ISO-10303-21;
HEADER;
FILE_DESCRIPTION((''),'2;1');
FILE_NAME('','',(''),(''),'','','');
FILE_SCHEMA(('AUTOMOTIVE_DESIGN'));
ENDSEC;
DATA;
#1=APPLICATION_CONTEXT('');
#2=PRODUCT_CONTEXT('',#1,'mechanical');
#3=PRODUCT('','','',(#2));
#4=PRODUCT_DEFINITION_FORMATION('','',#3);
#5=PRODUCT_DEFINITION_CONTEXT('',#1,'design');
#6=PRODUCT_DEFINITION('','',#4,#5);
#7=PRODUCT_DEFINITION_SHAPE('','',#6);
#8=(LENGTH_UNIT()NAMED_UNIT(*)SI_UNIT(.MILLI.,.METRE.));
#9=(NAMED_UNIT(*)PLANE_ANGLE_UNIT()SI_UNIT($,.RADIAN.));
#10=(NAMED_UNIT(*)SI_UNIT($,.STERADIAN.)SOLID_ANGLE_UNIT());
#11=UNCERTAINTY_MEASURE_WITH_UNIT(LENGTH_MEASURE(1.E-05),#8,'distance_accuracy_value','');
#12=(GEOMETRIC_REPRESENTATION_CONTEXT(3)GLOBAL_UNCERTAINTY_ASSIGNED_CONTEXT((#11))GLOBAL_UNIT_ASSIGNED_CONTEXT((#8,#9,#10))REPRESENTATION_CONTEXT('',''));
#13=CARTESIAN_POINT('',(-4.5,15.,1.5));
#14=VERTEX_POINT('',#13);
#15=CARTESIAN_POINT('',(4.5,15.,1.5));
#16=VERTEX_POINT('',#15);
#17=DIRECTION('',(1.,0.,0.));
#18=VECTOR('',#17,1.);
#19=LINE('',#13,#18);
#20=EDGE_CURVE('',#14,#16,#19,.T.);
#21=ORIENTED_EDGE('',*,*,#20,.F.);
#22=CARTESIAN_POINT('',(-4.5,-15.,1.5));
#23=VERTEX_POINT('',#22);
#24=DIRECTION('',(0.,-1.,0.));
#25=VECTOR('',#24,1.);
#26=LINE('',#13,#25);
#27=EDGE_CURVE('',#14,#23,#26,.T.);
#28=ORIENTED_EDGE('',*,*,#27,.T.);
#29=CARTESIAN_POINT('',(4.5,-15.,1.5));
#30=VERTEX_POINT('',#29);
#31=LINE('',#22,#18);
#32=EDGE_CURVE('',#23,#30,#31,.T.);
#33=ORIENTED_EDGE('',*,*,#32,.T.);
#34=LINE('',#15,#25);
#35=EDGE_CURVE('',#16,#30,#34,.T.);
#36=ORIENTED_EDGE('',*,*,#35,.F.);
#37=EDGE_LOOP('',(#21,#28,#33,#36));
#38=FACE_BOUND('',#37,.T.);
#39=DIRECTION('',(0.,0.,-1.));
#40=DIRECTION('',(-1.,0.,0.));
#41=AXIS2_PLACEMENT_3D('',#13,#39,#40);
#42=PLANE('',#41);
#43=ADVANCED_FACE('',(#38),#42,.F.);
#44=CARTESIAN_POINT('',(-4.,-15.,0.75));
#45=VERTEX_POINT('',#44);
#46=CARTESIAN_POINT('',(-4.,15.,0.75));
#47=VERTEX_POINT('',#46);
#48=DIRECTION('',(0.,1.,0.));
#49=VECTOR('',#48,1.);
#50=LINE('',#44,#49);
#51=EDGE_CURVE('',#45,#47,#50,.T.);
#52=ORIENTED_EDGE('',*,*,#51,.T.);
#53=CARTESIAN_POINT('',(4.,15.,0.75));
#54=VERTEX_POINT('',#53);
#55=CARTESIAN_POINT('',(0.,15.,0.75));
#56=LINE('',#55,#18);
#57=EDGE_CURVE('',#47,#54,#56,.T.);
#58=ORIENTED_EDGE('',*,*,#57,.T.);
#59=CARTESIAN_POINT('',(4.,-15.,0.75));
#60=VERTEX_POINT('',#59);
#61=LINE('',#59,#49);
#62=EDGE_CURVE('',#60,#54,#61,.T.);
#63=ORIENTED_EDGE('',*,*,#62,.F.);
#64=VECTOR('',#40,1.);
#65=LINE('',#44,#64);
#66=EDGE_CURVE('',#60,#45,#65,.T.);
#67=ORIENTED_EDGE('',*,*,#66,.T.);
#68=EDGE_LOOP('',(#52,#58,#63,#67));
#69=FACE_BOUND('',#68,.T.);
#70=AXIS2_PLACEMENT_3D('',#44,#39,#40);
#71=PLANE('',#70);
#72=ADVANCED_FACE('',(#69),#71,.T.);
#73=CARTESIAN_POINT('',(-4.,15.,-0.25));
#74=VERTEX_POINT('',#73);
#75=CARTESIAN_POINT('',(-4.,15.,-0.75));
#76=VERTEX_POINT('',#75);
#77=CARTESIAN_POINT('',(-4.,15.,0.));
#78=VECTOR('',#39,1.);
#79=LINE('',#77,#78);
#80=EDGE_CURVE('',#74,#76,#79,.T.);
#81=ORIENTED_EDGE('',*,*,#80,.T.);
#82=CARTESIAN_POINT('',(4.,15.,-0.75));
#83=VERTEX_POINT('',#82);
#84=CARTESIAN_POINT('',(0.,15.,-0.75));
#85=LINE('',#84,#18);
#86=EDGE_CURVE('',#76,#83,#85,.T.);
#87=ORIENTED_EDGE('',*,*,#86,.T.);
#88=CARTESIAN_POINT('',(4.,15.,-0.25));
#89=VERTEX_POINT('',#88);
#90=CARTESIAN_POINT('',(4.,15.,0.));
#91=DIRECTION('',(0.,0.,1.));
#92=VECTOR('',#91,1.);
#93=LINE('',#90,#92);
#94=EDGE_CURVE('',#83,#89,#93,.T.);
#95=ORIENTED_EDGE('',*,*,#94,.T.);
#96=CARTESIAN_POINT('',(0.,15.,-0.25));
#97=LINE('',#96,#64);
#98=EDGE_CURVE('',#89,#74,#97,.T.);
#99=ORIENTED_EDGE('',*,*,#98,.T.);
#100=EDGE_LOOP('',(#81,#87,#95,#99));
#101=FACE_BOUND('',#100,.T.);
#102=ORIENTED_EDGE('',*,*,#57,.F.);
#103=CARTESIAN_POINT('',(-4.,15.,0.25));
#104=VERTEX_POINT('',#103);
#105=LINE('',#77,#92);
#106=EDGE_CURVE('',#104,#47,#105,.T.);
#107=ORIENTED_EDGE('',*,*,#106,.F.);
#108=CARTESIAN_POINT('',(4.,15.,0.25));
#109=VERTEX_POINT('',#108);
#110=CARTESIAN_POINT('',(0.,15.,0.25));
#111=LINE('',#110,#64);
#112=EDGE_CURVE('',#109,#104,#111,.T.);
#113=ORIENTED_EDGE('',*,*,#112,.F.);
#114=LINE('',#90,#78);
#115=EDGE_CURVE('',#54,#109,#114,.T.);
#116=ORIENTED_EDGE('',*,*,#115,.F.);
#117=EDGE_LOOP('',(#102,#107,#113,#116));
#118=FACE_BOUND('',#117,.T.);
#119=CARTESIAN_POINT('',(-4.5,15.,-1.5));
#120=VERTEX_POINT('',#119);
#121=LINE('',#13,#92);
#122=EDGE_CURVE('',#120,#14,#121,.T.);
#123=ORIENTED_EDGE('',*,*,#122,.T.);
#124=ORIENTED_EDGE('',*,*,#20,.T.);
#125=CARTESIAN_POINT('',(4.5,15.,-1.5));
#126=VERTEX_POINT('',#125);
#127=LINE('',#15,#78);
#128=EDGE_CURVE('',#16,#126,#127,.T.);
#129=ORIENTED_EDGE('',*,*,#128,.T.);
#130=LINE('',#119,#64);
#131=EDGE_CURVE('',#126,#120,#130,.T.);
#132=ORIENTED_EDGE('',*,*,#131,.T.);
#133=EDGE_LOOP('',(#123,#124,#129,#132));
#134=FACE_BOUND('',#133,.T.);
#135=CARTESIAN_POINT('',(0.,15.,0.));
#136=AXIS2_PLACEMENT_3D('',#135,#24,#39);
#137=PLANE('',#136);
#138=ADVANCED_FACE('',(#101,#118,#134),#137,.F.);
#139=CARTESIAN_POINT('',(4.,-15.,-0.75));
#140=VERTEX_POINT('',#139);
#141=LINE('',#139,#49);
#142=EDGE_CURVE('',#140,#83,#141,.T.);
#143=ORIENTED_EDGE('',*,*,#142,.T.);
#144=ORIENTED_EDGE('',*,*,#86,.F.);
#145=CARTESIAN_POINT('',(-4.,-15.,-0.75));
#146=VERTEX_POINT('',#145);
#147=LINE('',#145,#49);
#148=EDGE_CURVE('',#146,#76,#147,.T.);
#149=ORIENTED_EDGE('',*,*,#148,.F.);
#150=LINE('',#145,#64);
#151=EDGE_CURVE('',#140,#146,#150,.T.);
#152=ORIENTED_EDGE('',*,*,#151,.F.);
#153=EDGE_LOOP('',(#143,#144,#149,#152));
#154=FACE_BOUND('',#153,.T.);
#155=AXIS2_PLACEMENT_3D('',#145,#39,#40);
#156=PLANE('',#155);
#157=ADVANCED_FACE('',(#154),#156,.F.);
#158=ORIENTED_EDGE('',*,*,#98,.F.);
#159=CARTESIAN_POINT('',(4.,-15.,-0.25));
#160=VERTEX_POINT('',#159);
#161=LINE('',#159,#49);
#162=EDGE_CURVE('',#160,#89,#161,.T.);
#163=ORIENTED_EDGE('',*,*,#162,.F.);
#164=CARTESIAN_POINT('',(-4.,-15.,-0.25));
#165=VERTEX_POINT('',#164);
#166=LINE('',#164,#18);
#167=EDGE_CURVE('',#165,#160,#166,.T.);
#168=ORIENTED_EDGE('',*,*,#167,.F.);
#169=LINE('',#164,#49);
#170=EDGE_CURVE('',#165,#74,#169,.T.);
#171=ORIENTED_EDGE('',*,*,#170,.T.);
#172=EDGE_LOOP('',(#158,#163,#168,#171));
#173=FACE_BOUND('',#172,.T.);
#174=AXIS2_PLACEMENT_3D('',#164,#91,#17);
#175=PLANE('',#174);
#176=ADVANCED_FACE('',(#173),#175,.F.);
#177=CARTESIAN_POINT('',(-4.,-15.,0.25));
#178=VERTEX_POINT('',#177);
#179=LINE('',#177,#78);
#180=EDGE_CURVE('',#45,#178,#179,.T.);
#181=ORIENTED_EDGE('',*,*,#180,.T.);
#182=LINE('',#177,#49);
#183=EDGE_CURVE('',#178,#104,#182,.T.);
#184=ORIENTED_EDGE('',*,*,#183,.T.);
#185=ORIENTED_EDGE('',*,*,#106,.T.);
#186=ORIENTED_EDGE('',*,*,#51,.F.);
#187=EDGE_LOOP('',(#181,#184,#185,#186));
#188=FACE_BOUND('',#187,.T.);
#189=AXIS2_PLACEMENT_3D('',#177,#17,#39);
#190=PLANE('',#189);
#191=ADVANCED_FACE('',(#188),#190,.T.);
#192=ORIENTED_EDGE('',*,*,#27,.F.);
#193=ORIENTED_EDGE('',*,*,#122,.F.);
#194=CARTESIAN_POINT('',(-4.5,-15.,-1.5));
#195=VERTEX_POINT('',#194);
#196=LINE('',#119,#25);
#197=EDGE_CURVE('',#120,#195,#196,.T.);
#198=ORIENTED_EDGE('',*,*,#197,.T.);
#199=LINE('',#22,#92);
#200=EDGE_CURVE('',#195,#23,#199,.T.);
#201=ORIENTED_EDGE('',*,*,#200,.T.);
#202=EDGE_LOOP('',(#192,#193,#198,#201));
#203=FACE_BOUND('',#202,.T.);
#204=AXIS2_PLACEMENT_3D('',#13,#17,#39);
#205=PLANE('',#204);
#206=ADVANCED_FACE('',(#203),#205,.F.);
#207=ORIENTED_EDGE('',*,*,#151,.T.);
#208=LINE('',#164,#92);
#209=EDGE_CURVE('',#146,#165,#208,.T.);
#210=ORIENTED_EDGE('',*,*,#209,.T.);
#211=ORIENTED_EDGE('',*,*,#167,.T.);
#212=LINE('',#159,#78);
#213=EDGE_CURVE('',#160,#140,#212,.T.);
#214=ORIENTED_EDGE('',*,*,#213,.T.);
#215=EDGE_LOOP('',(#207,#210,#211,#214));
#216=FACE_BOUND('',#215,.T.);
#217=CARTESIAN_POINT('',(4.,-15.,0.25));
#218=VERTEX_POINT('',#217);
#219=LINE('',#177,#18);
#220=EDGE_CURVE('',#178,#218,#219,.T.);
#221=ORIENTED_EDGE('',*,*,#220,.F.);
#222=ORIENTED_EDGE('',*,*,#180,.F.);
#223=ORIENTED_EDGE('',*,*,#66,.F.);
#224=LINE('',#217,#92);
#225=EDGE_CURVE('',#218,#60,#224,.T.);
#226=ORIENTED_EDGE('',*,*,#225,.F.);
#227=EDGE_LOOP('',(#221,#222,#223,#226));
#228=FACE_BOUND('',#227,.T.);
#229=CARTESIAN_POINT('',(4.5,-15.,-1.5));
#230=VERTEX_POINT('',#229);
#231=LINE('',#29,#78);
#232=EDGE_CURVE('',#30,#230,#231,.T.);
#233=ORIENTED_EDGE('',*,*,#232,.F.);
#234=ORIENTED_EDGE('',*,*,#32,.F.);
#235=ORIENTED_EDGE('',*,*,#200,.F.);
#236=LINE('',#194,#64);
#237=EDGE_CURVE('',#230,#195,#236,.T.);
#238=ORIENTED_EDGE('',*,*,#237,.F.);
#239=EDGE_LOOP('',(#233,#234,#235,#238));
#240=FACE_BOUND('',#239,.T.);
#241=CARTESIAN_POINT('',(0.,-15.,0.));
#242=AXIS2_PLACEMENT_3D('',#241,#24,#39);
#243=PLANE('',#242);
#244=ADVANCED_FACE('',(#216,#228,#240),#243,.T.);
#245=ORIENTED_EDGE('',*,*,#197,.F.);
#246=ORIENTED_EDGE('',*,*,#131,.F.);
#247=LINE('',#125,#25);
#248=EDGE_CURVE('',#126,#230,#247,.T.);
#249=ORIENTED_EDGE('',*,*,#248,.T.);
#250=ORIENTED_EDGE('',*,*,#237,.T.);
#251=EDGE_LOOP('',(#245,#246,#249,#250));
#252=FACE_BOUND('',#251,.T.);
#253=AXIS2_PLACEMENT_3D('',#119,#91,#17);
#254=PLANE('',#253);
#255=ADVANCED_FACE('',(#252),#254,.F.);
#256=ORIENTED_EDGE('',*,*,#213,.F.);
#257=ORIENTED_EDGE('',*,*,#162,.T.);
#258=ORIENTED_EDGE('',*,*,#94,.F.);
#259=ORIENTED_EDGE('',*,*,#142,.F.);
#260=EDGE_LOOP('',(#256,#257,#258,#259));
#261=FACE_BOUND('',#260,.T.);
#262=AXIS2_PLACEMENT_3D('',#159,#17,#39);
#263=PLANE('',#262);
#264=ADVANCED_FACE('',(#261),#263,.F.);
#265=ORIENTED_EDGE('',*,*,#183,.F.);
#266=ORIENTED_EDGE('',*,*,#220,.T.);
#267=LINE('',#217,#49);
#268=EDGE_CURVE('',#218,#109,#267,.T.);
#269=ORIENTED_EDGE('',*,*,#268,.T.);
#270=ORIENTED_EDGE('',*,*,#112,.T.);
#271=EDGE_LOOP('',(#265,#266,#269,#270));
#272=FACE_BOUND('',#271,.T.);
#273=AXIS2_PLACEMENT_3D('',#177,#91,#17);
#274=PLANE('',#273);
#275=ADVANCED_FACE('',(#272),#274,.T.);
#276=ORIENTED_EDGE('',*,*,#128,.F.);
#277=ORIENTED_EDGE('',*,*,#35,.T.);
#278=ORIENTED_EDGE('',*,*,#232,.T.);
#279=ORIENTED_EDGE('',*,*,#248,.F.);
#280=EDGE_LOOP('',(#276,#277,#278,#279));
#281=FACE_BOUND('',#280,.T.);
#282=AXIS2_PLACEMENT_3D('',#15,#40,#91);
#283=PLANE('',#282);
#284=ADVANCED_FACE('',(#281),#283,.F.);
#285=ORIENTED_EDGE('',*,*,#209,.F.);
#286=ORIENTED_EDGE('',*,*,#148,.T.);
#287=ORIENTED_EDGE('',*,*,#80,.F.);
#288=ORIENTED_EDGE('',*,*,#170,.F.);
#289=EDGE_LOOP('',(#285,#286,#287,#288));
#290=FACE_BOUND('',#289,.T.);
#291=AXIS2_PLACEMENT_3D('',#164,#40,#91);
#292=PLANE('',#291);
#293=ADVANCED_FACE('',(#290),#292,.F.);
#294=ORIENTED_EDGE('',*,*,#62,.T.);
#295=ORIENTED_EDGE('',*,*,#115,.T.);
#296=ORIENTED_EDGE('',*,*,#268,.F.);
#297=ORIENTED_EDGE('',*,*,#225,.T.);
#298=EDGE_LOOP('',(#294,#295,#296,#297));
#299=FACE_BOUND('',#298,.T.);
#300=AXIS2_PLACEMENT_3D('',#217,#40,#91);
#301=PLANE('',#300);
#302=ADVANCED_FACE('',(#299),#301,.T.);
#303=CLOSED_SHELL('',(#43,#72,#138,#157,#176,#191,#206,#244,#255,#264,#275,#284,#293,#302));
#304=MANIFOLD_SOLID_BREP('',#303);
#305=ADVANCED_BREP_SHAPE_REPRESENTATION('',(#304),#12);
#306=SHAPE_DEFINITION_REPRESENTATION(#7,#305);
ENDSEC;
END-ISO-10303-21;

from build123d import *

# Parameters (mm, degrees)
SKETCH1_W           = 9
SKETCH1_H           = 3
BOSS_EXTRUDE1_DEPTH = 15
CUT_EXTRUDE1_START  = -31
SKETCH2_W           = 8
SKETCH2_H           = 0.5
CUT_EXTRUDE1_DEPTH  = 32


with BuildPart() as part:
    # Sketch1 → Boss-Extrude1 (new body, symmetric)
    with BuildSketch(Plane(origin=(0, 0, 0), x_dir=(1, 0, 0), z_dir=(0, 1, 0))):
        Rectangle(SKETCH1_W, SKETCH1_H)
    extrude(amount=BOSS_EXTRUDE1_DEPTH, both=True)

    # Sketch2 → Cut-Extrude1 (cut)
    with BuildSketch(Plane(origin=(0, 15, 0), x_dir=(1, 0, 0), z_dir=(0, 1, 0)).offset(CUT_EXTRUDE1_START)):
        with Locations((0, 0.5)):
            Rectangle(SKETCH2_W, SKETCH2_H)
    cut_extrude1 = extrude(amount=CUT_EXTRUDE1_DEPTH, mode=Mode.SUBTRACT)

    # Mirror1: Cut-Extrude1 across plane
    add(cut_extrude1.mirror(Plane.XY), mode=Mode.SUBTRACT)


solid = part.part
